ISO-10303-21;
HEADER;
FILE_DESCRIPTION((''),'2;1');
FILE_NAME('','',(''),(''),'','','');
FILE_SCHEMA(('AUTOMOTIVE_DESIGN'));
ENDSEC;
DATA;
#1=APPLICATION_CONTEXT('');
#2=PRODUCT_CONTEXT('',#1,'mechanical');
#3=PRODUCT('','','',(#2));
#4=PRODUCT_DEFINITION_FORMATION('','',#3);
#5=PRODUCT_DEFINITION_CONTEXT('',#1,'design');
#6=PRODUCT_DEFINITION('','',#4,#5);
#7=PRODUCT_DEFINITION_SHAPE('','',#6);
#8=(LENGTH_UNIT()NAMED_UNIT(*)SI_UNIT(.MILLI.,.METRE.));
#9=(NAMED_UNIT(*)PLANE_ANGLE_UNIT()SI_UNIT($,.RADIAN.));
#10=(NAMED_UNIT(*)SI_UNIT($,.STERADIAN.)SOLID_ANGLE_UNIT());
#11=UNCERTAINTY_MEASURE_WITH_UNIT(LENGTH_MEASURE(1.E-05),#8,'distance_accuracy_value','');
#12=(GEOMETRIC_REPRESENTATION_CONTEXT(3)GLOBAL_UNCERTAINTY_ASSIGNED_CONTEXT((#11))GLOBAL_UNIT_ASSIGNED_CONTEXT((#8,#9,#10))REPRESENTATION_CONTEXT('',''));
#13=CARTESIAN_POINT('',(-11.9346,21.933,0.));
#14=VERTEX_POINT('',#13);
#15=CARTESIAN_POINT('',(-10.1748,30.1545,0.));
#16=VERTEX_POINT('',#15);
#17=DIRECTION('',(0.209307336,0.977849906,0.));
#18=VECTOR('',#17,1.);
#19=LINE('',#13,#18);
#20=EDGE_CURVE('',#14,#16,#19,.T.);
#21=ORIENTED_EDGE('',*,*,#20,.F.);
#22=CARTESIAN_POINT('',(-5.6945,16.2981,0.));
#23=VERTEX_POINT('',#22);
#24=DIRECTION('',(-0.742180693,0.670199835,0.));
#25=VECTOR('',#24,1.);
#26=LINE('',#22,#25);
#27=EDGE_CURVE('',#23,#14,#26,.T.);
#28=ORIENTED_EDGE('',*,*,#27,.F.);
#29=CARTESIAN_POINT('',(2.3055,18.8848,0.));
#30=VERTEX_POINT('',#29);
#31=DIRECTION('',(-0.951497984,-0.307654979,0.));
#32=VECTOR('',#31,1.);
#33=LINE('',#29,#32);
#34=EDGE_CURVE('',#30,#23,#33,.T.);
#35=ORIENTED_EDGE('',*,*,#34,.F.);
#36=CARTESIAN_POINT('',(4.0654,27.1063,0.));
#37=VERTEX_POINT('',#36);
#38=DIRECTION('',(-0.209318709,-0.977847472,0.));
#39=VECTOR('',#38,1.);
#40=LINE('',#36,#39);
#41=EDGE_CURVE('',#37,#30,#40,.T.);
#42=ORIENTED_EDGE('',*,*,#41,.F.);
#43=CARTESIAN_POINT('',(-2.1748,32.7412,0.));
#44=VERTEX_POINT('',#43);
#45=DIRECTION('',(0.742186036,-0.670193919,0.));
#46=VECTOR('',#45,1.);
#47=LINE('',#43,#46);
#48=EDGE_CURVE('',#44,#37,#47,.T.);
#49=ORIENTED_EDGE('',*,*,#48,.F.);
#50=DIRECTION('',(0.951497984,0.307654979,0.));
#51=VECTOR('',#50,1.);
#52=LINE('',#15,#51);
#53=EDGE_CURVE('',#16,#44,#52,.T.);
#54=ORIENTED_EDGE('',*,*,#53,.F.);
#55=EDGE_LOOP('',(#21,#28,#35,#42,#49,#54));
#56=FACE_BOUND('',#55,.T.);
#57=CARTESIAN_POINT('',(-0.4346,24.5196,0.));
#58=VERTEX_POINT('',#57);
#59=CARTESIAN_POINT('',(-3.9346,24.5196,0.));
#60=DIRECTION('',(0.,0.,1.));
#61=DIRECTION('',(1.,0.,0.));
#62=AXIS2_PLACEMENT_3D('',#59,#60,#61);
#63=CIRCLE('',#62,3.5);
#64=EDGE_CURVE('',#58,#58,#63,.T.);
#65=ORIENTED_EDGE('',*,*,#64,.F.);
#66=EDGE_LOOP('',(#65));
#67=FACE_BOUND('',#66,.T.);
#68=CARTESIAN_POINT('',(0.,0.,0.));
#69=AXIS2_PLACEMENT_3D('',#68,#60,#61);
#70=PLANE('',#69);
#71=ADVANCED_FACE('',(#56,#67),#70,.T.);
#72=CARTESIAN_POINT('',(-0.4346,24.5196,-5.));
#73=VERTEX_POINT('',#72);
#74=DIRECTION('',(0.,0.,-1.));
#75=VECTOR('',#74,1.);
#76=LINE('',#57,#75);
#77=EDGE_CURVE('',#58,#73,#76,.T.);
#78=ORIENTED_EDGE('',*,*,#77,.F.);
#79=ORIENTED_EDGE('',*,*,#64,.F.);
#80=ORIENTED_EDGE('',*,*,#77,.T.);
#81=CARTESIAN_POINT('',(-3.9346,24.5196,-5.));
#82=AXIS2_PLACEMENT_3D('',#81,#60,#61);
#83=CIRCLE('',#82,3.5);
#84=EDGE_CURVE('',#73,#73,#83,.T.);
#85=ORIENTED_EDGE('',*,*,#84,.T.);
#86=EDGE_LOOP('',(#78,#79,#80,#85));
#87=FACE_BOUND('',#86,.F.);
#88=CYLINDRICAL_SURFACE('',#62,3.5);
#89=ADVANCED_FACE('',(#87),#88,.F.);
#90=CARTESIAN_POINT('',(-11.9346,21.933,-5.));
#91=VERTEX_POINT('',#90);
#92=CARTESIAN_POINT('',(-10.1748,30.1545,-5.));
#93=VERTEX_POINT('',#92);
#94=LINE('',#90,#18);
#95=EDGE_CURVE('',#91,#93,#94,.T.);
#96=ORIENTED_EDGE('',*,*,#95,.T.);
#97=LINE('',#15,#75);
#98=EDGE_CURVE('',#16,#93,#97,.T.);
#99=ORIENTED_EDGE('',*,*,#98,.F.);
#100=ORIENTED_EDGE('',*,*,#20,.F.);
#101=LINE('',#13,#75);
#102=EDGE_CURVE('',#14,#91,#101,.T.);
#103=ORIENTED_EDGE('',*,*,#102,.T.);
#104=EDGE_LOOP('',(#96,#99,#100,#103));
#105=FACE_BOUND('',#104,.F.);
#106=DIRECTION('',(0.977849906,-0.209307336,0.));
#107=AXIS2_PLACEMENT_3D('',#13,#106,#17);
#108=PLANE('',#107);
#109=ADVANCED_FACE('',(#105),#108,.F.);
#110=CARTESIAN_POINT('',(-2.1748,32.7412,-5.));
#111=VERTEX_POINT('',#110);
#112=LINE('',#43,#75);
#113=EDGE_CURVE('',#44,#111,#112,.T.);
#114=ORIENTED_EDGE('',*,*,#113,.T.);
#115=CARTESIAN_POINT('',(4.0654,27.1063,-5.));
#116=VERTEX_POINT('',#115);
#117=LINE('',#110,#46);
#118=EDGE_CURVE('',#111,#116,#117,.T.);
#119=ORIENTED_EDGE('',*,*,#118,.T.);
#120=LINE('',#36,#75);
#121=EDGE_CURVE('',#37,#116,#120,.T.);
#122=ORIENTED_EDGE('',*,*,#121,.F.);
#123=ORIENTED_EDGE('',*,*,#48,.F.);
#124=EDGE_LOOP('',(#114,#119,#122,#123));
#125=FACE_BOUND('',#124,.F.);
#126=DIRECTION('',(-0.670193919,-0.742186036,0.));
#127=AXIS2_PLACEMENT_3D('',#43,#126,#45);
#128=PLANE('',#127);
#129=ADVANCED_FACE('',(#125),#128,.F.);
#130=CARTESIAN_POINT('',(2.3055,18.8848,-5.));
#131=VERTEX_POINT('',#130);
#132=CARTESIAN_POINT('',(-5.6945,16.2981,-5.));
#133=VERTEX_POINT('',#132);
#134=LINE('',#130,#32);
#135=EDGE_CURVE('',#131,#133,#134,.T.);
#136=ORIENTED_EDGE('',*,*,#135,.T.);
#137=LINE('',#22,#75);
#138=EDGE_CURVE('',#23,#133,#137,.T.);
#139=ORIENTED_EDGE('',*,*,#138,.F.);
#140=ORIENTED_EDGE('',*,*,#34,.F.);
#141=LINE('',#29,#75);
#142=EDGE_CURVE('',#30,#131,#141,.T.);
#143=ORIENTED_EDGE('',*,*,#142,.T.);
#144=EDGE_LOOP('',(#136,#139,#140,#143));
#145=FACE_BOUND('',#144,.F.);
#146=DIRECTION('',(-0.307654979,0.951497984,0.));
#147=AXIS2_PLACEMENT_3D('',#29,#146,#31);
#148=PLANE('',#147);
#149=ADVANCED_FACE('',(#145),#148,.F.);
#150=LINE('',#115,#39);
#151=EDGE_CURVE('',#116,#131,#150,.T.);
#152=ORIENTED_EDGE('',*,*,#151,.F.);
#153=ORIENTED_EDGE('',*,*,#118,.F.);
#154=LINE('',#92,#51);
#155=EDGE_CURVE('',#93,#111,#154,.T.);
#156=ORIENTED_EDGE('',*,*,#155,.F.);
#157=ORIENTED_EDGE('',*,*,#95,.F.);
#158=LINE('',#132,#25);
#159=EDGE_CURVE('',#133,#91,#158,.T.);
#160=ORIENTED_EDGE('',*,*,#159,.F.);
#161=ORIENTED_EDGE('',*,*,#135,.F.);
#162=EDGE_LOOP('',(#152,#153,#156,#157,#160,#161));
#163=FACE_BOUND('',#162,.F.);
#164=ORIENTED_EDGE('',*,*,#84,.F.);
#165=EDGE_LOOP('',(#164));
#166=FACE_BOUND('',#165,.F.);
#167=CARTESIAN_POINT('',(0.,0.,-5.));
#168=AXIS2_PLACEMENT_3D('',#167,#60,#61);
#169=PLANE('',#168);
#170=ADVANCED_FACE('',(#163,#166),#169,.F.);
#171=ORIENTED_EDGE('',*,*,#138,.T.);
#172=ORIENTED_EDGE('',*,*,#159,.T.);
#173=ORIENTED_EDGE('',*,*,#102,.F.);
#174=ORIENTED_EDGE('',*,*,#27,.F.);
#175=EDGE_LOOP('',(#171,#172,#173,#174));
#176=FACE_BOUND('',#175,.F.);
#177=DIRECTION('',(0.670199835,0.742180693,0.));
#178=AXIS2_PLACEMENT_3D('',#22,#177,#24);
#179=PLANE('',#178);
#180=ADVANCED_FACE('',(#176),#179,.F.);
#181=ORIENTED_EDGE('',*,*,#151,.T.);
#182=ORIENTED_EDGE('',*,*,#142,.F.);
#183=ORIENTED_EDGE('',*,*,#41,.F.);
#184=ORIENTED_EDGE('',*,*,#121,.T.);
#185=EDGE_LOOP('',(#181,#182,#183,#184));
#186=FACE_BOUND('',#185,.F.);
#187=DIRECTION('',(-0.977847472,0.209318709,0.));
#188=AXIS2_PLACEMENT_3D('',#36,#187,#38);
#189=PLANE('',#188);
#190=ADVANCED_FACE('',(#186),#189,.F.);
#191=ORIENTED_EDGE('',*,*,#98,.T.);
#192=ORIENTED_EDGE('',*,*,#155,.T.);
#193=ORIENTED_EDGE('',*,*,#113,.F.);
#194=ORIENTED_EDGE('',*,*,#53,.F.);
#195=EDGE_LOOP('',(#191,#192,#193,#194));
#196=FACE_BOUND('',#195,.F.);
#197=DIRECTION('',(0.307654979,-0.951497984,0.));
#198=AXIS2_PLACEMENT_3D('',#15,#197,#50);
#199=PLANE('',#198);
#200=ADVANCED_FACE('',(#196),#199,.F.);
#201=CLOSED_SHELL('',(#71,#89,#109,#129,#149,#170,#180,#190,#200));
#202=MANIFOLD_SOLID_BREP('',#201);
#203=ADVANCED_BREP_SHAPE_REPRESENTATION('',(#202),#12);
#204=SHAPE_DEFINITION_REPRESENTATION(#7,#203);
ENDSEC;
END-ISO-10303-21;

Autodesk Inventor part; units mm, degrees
ref_plane "YZ Plane" through (0, 0, 0) normal (1, 0, 0) x (0, 1, 0)
ref_plane "XZ Plane" through (0, 0, 0) normal (0, 1, 0) x (-1, 0, 0)
ref_plane "XY Plane" through (0, 0, 0) normal (0, 0, 1) x (1, 0, 0)
sketch "Sketch1" plane through (0, 0, 0) normal (0, 0, 1) x (1, 0, 0)
  line L0 (4.0654, 27.1063) -> (2.3055, 18.8848)
  line L1 (2.3055, 18.8848) -> (-5.6945, 16.2981)
  line L2 (-5.6945, 16.2981) -> (-11.9346, 21.933)
  line L3 (-11.9346, 21.933) -> (-10.1748, 30.1545)
  line L4 (-10.1748, 30.1545) -> (-2.1748, 32.7412)
  line L5 (-2.1748, 32.7412) -> (4.0654, 27.1063)
  circle A0 centre (-3.9346, 24.5196) radius 3.5
extrude "Extrusion4" add sketch "Sketch1" against normal blind 5
sketch "Sketch2" plane through (0, 0, 0) normal (0, 0, 1) x (1, 0, 0)
  point P0 (0, 0)
properties part number "gaica" material "Bronze, Soft Tin"
